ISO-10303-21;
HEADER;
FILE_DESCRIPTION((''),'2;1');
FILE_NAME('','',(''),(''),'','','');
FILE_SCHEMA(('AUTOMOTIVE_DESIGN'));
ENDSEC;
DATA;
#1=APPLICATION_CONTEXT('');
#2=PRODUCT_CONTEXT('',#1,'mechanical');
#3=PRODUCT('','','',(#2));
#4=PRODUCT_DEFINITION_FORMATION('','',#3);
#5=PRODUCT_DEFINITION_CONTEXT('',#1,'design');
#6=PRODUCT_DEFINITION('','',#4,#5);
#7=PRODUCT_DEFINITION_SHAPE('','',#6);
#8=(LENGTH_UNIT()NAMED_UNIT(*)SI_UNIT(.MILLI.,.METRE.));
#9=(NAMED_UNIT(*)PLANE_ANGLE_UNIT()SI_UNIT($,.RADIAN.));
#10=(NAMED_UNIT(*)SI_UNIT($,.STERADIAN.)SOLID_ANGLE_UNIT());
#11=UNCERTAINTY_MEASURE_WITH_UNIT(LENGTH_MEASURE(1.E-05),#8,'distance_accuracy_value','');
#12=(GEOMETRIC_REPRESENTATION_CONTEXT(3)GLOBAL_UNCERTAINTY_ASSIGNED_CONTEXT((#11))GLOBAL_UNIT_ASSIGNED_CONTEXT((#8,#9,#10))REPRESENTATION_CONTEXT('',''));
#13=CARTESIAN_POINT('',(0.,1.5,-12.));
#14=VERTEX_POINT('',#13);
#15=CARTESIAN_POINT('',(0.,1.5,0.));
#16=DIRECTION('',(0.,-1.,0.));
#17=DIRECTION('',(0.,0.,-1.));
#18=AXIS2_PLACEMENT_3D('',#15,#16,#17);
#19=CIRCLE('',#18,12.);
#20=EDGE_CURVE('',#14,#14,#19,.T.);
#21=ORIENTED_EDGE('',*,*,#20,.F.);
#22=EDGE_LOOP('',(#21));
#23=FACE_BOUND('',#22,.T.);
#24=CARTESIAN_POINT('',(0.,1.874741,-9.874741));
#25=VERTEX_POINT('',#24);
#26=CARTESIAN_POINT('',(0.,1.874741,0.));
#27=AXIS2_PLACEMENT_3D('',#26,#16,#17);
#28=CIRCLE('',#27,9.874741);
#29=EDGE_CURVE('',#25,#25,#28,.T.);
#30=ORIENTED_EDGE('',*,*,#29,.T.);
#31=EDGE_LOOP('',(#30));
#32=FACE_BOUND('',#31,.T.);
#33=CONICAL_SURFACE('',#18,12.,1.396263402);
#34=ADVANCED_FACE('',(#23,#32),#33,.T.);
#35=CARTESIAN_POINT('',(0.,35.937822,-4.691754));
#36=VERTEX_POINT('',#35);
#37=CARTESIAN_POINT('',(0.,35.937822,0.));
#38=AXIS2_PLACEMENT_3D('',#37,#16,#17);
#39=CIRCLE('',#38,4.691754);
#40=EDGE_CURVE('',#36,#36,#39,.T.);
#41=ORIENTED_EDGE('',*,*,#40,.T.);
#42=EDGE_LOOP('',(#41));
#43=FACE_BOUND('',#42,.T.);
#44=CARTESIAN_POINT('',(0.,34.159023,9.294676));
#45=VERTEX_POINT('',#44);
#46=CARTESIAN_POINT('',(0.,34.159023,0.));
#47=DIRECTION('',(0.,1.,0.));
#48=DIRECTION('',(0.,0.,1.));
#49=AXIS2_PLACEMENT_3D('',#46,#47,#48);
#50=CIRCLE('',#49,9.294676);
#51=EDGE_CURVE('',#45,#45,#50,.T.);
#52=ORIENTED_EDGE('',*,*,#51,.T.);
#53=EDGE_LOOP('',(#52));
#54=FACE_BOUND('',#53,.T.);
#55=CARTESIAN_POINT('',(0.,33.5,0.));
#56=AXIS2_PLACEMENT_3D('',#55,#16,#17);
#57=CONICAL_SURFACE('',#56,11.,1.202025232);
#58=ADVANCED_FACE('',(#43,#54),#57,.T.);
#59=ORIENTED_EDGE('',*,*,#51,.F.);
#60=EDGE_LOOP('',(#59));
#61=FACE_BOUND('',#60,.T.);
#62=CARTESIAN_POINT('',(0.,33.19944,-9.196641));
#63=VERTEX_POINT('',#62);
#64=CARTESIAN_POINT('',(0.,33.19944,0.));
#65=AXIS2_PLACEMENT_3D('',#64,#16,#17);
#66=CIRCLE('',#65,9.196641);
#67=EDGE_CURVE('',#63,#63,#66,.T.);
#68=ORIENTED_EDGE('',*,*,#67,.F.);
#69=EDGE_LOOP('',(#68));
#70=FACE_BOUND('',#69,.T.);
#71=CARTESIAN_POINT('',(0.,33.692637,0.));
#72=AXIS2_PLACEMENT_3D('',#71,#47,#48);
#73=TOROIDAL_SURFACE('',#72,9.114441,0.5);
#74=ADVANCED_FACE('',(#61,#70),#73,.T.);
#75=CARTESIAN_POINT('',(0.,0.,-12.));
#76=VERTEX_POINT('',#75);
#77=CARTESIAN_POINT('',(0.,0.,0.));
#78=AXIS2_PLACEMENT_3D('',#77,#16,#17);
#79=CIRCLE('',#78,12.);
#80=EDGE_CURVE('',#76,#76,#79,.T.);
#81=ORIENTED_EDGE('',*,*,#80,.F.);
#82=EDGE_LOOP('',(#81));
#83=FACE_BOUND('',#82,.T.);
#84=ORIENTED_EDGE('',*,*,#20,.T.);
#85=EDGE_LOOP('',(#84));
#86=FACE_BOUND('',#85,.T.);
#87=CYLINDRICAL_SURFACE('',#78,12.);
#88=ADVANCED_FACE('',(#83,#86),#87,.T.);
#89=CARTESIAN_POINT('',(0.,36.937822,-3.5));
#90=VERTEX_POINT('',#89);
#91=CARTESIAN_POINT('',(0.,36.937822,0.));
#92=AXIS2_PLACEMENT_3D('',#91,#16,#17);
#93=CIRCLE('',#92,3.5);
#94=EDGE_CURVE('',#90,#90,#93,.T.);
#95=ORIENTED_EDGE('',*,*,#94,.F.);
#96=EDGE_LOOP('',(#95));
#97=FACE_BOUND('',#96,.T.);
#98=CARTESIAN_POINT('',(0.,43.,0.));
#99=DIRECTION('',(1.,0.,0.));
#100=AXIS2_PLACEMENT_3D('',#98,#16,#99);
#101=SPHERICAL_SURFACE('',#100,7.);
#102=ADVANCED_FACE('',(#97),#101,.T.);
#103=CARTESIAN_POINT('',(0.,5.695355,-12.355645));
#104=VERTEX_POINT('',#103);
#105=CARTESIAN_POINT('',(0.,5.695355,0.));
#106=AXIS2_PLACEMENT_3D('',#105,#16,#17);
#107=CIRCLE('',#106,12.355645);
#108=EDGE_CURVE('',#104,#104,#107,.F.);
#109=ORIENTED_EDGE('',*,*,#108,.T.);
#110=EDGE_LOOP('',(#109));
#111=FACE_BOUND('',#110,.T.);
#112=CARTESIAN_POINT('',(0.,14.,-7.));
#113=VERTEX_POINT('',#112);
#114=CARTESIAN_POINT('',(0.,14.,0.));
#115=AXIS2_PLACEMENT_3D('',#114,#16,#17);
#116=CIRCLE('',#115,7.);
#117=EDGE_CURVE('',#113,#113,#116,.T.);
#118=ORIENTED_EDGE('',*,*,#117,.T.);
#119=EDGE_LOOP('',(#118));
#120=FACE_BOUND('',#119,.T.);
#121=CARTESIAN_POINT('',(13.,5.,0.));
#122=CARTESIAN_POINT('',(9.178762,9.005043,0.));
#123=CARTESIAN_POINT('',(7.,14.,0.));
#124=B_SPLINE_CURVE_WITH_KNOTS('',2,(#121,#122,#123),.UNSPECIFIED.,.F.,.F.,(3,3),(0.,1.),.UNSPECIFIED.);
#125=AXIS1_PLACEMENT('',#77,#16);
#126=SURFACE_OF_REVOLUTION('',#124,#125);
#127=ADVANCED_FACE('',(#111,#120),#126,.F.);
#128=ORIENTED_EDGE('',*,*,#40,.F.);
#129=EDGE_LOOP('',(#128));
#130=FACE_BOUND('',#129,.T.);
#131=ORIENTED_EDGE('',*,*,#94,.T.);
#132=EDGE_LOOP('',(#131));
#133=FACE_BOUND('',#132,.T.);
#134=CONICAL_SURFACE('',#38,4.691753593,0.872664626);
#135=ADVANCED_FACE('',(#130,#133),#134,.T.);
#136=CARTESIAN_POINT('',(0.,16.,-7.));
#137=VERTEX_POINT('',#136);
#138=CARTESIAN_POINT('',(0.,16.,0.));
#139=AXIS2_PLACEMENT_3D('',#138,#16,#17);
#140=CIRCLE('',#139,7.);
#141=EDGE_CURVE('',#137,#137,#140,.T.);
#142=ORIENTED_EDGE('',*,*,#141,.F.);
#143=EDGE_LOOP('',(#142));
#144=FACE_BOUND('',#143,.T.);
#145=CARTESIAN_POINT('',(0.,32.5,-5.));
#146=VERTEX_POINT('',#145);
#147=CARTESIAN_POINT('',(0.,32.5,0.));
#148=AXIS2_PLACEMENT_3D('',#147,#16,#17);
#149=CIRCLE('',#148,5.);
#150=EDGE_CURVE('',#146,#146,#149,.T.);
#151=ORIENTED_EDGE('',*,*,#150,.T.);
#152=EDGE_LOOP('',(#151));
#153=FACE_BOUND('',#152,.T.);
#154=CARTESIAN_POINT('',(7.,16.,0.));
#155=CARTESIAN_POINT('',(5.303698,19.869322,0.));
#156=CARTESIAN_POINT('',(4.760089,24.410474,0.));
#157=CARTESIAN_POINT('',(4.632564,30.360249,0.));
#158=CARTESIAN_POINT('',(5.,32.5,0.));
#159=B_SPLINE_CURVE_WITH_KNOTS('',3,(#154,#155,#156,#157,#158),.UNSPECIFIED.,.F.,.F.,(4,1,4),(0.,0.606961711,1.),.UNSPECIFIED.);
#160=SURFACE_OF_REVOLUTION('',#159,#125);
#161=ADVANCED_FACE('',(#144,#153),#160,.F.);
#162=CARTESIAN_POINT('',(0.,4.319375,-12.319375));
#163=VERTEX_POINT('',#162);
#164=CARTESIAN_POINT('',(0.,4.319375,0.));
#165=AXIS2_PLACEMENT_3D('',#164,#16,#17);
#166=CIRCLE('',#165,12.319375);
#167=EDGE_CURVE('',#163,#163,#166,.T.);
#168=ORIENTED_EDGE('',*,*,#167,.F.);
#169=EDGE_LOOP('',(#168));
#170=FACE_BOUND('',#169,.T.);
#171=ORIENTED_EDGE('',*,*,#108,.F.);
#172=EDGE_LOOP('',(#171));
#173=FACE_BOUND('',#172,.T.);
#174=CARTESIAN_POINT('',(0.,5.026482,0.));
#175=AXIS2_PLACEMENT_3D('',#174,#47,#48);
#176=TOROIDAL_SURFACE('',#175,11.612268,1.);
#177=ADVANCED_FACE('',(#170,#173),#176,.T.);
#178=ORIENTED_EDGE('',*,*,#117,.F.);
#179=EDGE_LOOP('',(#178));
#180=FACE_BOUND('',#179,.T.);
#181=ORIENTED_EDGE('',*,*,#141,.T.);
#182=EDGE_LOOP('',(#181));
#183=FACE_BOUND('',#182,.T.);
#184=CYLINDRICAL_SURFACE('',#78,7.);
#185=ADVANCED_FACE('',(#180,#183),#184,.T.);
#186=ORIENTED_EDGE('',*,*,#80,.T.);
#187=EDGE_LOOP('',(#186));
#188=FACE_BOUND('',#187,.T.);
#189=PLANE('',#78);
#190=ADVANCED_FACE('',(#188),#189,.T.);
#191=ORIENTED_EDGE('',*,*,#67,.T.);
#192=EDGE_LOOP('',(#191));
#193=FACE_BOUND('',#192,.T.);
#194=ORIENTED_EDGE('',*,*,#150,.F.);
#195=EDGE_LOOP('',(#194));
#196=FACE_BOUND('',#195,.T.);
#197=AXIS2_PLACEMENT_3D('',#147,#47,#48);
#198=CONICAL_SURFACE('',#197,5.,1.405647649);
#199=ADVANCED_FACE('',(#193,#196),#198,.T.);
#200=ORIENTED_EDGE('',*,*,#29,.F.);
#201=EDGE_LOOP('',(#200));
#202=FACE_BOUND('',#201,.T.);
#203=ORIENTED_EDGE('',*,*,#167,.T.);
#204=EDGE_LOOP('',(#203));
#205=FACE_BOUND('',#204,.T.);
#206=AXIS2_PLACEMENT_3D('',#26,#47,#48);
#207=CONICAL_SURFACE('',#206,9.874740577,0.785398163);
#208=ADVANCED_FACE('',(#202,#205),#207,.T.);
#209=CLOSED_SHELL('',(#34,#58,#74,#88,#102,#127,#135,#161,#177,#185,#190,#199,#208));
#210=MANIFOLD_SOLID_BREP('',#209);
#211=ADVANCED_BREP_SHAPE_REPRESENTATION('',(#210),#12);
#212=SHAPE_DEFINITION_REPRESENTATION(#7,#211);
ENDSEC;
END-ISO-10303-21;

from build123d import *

# Parameters (mm, degrees)
FILLET1_R = 1
FILLET2_R = 0.5


with BuildPart() as part:
    # Sketch6 → Revolve1 (revolve)
    with BuildSketch(Plane.XY, mode=Mode.PRIVATE) as revolve1_sk:
        with BuildLine():
            Line((0, 0), (0, 50))
            ThreePointArc((0, 50), (6.761480784, 44.811733316), (3.5, 36.937822174))
            Line((3.5, 36.937822174), (4.691753593, 35.937822174))
            Line((4.691753593, 35.937822174), (11, 33.5))
            Line((11, 33.5), (5, 32.5))
            add(Edge.make_bspline(
                [(5, 32.5), (4.632564302, 30.36024899), (4.760089012, 24.410473988), (5.30369794, 19.869322034), (7, 16)],
                knots=[0, 0, 0, 0, 0.393038289, 1, 1, 1, 1], degree=3))
            Line((7, 16), (7, 14))
            add(Edge.make_bspline(
                [(7, 14), (9.178761671, 9.005043315), (13, 5)],
                knots=[0, 0, 0, 1, 1, 1], degree=2))
            Line((13, 5), (9.874740577, 1.874740577))
            Line((9.874740577, 1.874740577), (12, 1.5))
            Line((12, 1.5), (12, 0))
            Line((12, 0), (0, 0))
        make_face()
    revolve(revolve1_sk.sketch.rotate(Axis((0, 0, 0), (0, 1, 0)), 90), axis=Axis((0, 0, 0), (0, 1, 0)))

    # Fillet1
    fillet1_edges = [part.edges().sort_by_distance(p)[0] for p in [
        (0, 5, 13),
    ]]
    fillet(fillet1_edges, radius=FILLET1_R)

    # Fillet2
    fillet2_edges = [part.edges().sort_by_distance(p)[0] for p in [
        (0, 33.5, 11),
    ]]
    fillet(fillet2_edges, radius=FILLET2_R)


solid = part.part
